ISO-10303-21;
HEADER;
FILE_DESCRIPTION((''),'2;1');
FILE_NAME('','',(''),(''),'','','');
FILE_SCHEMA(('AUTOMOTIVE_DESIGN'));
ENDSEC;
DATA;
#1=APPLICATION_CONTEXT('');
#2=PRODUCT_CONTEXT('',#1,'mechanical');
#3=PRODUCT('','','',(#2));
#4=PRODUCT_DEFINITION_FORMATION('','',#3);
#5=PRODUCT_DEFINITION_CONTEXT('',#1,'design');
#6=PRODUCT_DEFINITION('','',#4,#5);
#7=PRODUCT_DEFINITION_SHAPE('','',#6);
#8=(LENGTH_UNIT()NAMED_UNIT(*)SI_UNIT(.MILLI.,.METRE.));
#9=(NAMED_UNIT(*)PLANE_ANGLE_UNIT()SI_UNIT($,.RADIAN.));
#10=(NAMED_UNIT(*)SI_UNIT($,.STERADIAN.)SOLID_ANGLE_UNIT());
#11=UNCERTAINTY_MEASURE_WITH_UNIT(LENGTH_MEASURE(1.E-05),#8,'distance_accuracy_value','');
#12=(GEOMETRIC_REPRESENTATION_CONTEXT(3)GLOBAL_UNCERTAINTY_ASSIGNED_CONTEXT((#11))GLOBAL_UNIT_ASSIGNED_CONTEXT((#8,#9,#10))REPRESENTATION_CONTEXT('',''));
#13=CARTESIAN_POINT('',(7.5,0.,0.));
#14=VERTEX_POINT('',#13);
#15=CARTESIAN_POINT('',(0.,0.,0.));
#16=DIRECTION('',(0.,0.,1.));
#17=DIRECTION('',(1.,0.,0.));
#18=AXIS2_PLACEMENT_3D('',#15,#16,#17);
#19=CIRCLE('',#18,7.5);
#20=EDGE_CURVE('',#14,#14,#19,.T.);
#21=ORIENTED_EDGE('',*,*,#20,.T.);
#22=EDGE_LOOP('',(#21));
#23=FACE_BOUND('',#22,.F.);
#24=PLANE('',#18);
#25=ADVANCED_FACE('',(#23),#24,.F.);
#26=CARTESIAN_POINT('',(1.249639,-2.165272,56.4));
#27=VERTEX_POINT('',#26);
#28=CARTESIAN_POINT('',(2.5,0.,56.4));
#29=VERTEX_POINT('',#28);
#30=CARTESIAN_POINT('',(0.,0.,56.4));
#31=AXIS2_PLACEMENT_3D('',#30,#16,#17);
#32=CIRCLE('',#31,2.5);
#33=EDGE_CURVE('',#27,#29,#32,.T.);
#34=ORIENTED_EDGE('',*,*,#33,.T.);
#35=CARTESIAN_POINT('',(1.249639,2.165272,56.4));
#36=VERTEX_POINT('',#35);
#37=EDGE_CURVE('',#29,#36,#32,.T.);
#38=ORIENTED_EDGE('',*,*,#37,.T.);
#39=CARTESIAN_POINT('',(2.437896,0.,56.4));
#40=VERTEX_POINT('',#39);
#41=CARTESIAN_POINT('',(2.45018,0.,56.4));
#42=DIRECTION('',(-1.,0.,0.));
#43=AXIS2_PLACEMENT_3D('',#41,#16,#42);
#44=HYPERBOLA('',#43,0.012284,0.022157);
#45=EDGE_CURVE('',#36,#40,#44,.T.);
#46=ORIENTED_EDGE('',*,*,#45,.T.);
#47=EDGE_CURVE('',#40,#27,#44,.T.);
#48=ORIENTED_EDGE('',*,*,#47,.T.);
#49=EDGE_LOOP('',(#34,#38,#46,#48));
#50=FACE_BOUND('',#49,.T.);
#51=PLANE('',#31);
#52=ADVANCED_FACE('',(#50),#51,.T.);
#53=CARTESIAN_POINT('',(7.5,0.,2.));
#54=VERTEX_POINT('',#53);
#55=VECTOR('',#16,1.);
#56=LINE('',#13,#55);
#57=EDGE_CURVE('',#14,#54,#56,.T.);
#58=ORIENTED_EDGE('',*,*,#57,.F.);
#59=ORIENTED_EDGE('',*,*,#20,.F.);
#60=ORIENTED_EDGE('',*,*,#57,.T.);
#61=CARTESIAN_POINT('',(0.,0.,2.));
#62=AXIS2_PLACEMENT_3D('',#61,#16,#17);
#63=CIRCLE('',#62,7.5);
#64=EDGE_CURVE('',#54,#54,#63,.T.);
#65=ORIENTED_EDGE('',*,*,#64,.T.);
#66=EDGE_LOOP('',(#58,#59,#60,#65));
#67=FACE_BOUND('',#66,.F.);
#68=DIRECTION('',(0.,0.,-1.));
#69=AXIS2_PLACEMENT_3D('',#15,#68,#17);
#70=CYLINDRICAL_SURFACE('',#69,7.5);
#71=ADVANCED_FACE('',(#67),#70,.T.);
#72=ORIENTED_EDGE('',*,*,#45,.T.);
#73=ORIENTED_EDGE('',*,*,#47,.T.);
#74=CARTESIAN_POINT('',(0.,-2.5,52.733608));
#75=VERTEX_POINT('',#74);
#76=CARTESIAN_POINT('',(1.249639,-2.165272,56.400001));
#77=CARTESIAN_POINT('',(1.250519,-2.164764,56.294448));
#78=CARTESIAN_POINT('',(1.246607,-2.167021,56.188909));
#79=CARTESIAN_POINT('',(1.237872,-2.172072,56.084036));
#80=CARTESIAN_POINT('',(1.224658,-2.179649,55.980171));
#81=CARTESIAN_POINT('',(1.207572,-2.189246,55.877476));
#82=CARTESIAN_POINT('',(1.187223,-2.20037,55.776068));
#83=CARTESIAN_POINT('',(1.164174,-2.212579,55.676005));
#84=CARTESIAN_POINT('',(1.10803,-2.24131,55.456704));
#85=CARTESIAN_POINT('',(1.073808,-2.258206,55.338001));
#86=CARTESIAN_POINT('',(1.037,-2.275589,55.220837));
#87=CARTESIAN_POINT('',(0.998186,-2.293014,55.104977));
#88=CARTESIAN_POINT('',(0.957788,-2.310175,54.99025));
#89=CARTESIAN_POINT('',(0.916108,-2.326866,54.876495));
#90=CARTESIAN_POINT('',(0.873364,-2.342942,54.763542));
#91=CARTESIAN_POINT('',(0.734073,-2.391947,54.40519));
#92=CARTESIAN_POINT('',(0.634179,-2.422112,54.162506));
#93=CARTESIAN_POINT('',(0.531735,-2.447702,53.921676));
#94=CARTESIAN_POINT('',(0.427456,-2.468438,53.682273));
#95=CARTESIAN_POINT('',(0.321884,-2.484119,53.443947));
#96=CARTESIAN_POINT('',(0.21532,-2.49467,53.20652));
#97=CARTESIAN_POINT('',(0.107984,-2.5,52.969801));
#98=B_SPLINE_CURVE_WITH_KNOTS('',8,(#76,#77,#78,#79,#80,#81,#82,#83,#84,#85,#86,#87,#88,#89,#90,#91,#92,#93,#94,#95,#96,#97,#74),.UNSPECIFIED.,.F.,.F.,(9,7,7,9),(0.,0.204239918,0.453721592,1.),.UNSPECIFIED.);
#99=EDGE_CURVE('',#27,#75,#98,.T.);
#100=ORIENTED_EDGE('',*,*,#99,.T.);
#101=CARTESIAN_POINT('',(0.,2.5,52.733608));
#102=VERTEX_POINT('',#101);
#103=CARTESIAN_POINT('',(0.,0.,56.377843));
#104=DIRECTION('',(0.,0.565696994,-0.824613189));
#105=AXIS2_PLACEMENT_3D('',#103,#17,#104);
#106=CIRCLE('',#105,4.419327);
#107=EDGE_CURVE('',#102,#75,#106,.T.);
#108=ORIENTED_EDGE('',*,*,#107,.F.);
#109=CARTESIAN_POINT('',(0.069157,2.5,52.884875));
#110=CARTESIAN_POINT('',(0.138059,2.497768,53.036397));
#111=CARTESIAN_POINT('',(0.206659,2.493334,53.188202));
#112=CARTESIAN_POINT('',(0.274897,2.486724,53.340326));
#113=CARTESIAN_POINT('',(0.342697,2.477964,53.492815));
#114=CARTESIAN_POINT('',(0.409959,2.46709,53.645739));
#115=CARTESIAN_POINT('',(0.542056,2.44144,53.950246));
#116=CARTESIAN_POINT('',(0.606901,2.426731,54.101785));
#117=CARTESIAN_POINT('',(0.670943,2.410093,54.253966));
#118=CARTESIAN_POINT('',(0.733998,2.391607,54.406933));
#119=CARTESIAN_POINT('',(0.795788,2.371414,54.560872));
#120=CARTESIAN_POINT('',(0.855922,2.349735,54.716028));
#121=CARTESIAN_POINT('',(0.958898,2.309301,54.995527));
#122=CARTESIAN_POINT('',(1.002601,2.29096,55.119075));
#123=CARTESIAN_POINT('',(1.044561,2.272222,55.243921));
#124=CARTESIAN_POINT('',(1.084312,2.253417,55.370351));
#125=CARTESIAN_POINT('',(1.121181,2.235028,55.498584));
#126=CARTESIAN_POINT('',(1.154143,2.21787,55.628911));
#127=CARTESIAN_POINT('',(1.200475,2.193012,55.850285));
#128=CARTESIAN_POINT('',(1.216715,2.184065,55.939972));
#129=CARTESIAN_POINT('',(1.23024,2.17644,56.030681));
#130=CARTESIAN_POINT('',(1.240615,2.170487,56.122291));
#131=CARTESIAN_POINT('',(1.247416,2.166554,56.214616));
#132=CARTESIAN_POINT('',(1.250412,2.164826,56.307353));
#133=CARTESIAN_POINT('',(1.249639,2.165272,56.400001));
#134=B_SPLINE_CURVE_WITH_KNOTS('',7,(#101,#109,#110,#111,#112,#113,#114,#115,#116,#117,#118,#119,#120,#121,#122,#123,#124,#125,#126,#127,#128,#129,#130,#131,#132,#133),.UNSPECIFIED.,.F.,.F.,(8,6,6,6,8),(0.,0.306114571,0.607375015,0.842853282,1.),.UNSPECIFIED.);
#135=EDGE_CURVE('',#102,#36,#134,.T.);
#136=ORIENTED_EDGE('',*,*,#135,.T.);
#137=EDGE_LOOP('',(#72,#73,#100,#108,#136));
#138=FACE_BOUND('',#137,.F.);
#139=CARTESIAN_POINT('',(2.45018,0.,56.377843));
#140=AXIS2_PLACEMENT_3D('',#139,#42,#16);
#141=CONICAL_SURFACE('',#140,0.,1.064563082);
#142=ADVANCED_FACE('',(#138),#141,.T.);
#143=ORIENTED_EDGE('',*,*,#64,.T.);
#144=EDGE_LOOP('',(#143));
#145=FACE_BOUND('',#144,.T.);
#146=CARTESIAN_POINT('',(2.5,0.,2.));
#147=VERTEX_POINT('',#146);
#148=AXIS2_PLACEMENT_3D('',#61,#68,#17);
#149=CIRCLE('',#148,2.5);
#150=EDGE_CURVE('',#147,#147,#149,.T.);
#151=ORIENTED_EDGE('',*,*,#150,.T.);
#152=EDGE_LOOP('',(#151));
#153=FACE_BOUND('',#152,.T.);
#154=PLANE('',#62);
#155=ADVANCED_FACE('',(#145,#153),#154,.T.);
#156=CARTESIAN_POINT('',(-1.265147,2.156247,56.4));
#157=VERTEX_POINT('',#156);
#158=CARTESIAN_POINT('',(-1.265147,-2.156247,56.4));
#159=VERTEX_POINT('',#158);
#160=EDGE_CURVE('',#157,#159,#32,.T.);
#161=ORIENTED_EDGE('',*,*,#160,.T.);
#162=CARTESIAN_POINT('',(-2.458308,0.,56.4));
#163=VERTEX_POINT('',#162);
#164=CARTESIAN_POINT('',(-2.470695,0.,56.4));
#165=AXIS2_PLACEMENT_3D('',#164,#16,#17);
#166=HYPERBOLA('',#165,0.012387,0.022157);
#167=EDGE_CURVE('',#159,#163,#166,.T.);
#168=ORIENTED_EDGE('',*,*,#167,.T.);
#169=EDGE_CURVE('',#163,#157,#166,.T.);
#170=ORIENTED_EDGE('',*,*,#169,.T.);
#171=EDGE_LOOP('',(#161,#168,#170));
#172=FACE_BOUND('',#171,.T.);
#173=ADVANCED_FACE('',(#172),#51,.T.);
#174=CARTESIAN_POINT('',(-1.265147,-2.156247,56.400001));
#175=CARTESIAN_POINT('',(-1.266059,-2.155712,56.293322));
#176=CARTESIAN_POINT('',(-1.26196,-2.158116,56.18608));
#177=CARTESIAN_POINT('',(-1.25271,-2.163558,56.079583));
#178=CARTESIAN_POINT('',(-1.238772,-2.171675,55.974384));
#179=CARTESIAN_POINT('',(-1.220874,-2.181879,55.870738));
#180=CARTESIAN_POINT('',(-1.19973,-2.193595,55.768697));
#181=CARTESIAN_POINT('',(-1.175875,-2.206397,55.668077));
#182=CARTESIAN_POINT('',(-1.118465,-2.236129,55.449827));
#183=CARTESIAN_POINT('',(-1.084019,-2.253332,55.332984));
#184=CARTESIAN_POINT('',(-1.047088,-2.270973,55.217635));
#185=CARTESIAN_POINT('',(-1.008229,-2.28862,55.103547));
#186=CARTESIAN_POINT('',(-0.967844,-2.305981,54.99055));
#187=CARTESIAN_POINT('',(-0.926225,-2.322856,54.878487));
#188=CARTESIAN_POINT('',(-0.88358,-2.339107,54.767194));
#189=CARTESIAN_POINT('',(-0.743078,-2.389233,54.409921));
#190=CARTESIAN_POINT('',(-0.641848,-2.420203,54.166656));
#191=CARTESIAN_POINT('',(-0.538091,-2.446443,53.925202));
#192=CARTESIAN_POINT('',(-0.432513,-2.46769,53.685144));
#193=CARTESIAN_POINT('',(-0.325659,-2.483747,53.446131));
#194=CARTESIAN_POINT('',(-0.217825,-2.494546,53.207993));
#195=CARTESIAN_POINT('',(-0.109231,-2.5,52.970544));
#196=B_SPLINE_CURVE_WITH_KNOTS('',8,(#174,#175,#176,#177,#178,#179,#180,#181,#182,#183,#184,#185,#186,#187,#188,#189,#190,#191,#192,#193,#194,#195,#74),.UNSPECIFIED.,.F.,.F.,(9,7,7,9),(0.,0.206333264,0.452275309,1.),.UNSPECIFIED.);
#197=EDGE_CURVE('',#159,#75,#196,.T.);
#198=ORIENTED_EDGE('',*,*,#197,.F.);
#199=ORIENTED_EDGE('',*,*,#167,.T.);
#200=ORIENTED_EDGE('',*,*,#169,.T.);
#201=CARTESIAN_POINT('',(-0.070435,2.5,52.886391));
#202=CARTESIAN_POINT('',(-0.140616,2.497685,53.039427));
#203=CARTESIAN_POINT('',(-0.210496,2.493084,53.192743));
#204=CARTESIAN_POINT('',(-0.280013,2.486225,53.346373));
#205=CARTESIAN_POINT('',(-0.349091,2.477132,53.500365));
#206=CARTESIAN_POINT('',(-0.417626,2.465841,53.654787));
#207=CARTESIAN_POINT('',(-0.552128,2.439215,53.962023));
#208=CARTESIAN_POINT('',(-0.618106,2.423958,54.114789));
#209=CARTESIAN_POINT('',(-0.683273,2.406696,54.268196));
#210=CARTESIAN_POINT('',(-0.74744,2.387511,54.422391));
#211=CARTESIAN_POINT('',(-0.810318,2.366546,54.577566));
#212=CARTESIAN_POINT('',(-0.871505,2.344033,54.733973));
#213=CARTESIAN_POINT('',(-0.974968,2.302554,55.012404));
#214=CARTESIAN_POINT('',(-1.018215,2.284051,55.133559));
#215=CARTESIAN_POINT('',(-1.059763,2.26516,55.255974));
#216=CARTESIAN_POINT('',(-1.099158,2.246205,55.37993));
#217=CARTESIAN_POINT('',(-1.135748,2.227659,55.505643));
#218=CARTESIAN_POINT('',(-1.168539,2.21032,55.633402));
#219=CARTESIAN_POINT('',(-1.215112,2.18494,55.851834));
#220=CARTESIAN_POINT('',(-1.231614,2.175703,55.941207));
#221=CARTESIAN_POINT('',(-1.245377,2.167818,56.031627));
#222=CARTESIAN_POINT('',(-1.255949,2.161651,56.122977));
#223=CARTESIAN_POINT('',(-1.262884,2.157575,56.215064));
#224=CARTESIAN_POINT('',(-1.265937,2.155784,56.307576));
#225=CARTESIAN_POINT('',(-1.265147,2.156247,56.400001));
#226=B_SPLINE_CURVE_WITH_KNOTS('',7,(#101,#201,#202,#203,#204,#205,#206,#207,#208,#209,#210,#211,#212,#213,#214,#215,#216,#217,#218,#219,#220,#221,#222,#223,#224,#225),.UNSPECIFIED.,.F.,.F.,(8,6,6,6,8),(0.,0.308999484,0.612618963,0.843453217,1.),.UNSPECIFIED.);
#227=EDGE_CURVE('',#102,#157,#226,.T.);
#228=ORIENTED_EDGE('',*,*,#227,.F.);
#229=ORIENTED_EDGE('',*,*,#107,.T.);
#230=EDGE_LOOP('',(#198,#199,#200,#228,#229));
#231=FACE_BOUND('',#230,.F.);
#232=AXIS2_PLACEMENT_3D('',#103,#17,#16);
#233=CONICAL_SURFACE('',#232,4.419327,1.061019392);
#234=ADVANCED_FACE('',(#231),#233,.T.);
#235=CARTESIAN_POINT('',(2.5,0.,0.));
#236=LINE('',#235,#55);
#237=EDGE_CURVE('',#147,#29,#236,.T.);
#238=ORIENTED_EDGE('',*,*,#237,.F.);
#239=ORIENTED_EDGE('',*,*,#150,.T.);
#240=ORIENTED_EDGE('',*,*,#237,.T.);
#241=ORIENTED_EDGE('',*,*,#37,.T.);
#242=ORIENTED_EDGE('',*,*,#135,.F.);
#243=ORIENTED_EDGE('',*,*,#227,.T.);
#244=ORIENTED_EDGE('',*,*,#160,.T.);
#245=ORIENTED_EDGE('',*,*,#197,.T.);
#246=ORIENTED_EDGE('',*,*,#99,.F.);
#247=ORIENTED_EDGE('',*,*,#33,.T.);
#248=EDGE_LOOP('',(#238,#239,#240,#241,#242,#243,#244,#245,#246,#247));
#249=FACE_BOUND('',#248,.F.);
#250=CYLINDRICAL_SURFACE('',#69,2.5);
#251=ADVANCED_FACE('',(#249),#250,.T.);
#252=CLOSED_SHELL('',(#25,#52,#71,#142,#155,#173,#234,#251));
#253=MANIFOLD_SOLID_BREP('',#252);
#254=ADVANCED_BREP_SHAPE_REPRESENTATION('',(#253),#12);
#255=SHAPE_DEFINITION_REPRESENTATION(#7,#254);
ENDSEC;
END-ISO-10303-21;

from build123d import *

# Parameters (mm, degrees)
F0_R     = 7.5
F1_DEPTH = 2
F2_R     = 2.5
F3_DEPTH = 56.4


with BuildPart() as f1:
    # F0 (on Top) → F1 (new body)
    with BuildSketch(Plane.XY):
        Circle(F0_R)
    extrude(amount=F1_DEPTH)

    # F2 (on Top) → F3 (join)
    with BuildSketch(Plane.XY):
        Circle(F2_R)
    extrude(amount=F3_DEPTH)

    # F4 (on Front) → F5 (revolve)
    with BuildSketch(Plane.XZ):
        Polygon((-2.470695, 56.377843), (0, 56.377843), (2.45018, 56.377843), (0, 60.79717), align=None)
    revolve(axis=Axis((1.22509, 0, 56.377843), (1, 0, 0)))


solid = f1.part
